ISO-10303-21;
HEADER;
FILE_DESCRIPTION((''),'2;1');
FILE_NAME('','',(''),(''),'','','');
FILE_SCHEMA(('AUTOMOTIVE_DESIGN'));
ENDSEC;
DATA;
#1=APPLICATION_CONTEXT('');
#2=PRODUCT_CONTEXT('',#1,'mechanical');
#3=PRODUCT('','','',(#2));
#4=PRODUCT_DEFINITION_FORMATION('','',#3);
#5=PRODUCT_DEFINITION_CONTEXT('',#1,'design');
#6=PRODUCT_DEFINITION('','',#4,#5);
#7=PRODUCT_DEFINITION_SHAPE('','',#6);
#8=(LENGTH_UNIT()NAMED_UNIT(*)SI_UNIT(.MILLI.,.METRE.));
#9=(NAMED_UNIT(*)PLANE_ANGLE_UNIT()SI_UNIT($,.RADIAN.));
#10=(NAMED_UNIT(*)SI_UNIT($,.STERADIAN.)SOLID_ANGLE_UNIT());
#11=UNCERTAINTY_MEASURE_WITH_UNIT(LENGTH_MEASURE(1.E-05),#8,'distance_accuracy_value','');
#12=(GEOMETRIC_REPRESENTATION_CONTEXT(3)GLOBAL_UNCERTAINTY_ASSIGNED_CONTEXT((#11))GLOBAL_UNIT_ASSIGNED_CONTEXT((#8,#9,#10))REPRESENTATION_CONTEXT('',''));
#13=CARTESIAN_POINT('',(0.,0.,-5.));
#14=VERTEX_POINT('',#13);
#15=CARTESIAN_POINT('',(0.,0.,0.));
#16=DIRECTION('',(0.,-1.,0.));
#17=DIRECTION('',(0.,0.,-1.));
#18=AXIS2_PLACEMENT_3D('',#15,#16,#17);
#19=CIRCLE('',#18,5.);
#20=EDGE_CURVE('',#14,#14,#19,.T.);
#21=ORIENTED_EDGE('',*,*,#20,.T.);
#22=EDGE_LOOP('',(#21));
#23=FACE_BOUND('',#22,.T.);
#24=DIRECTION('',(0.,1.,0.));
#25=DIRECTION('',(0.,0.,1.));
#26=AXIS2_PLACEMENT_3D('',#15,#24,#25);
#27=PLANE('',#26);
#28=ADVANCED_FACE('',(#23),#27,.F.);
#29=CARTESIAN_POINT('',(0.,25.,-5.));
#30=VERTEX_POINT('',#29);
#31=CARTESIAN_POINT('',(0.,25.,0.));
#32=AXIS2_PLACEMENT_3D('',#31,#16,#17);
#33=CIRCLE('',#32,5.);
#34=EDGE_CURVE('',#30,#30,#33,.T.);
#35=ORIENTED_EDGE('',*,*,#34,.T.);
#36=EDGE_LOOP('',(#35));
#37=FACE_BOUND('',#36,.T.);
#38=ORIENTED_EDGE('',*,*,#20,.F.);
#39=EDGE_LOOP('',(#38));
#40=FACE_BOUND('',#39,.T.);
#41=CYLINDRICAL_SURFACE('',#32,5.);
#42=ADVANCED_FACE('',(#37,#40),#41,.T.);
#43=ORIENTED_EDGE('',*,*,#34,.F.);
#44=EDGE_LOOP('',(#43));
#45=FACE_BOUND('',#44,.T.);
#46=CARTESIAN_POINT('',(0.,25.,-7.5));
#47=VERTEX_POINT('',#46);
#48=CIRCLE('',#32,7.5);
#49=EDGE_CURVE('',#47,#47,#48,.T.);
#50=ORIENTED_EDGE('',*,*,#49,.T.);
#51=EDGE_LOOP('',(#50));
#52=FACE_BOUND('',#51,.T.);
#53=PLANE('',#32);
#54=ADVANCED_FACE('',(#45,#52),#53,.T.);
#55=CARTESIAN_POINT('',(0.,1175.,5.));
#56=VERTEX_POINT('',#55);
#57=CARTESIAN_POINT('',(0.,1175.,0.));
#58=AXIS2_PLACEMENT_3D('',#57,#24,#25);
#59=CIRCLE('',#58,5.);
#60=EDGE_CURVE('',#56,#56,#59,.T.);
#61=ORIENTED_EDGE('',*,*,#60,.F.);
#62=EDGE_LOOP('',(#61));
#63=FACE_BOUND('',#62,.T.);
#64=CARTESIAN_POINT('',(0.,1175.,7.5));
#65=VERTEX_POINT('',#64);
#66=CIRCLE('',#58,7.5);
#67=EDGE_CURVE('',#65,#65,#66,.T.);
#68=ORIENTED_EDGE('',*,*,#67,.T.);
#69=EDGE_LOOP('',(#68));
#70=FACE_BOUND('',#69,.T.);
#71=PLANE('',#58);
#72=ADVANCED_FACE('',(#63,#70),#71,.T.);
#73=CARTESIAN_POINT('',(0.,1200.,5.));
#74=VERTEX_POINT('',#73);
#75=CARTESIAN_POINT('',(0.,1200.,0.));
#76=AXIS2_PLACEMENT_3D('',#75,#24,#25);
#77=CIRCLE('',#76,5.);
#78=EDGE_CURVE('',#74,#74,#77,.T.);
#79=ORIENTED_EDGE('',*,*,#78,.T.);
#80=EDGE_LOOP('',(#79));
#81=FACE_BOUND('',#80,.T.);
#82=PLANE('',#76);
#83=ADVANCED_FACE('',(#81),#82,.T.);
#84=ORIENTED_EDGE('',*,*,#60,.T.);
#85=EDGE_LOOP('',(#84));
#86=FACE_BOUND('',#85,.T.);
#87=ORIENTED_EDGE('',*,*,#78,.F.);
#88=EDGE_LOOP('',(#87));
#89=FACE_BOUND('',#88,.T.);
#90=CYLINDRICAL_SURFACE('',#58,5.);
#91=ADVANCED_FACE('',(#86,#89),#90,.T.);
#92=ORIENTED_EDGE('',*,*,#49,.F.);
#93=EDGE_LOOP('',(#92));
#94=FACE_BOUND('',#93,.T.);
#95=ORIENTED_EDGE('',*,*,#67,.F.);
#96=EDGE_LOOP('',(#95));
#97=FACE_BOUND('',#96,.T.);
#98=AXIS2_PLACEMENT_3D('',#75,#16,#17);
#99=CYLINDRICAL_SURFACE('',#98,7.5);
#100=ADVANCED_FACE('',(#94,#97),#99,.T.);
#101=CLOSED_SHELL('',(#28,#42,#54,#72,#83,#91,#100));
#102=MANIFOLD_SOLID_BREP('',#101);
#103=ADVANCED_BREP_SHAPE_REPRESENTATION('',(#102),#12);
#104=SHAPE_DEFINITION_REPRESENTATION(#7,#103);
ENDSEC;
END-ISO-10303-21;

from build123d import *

# Parameters (mm, degrees)
SKETCH1_R           = 7.5
BOSS_EXTRUDE1_DEPTH = 1200
SKETCH2_OUTSIDE_W   = 257.038
SKETCH2_OUTSIDE_H   = 257.038
SKETCH2_OUTSIDE_R   = 5
CUT_EXTRUDE1_DEPTH  = 25
SKETCH3_OUTSIDE_W   = 257.038
SKETCH3_OUTSIDE_H   = 257.038
SKETCH3_OUTSIDE_R   = 5
CUT_EXTRUDE2_DEPTH  = 25


with BuildPart() as part:
    # Sketch1 → Boss-Extrude1 (new body)
    with BuildSketch(Plane(origin=(0, 0, 0), x_dir=(1, 0, 0), z_dir=(0, 1, 0))):
        Circle(SKETCH1_R)
    extrude(amount=BOSS_EXTRUDE1_DEPTH)

    # Sketch2 outside → Cut-Extrude1 (cut)
    with BuildSketch(Plane(origin=(0, 1200, 0), x_dir=(1, 0, 0), z_dir=(0, 1, 0))):
        Rectangle(SKETCH2_OUTSIDE_W, SKETCH2_OUTSIDE_H)
        Circle(SKETCH2_OUTSIDE_R, mode=Mode.SUBTRACT)
    extrude(amount=-CUT_EXTRUDE1_DEPTH, mode=Mode.SUBTRACT)

    # Sketch3 outside → Cut-Extrude2 (cut)
    with BuildSketch(Plane.XZ):
        Rectangle(SKETCH3_OUTSIDE_W, SKETCH3_OUTSIDE_H)
        Circle(SKETCH3_OUTSIDE_R, mode=Mode.SUBTRACT)
    extrude(amount=-CUT_EXTRUDE2_DEPTH, mode=Mode.SUBTRACT)


solid = part.part
